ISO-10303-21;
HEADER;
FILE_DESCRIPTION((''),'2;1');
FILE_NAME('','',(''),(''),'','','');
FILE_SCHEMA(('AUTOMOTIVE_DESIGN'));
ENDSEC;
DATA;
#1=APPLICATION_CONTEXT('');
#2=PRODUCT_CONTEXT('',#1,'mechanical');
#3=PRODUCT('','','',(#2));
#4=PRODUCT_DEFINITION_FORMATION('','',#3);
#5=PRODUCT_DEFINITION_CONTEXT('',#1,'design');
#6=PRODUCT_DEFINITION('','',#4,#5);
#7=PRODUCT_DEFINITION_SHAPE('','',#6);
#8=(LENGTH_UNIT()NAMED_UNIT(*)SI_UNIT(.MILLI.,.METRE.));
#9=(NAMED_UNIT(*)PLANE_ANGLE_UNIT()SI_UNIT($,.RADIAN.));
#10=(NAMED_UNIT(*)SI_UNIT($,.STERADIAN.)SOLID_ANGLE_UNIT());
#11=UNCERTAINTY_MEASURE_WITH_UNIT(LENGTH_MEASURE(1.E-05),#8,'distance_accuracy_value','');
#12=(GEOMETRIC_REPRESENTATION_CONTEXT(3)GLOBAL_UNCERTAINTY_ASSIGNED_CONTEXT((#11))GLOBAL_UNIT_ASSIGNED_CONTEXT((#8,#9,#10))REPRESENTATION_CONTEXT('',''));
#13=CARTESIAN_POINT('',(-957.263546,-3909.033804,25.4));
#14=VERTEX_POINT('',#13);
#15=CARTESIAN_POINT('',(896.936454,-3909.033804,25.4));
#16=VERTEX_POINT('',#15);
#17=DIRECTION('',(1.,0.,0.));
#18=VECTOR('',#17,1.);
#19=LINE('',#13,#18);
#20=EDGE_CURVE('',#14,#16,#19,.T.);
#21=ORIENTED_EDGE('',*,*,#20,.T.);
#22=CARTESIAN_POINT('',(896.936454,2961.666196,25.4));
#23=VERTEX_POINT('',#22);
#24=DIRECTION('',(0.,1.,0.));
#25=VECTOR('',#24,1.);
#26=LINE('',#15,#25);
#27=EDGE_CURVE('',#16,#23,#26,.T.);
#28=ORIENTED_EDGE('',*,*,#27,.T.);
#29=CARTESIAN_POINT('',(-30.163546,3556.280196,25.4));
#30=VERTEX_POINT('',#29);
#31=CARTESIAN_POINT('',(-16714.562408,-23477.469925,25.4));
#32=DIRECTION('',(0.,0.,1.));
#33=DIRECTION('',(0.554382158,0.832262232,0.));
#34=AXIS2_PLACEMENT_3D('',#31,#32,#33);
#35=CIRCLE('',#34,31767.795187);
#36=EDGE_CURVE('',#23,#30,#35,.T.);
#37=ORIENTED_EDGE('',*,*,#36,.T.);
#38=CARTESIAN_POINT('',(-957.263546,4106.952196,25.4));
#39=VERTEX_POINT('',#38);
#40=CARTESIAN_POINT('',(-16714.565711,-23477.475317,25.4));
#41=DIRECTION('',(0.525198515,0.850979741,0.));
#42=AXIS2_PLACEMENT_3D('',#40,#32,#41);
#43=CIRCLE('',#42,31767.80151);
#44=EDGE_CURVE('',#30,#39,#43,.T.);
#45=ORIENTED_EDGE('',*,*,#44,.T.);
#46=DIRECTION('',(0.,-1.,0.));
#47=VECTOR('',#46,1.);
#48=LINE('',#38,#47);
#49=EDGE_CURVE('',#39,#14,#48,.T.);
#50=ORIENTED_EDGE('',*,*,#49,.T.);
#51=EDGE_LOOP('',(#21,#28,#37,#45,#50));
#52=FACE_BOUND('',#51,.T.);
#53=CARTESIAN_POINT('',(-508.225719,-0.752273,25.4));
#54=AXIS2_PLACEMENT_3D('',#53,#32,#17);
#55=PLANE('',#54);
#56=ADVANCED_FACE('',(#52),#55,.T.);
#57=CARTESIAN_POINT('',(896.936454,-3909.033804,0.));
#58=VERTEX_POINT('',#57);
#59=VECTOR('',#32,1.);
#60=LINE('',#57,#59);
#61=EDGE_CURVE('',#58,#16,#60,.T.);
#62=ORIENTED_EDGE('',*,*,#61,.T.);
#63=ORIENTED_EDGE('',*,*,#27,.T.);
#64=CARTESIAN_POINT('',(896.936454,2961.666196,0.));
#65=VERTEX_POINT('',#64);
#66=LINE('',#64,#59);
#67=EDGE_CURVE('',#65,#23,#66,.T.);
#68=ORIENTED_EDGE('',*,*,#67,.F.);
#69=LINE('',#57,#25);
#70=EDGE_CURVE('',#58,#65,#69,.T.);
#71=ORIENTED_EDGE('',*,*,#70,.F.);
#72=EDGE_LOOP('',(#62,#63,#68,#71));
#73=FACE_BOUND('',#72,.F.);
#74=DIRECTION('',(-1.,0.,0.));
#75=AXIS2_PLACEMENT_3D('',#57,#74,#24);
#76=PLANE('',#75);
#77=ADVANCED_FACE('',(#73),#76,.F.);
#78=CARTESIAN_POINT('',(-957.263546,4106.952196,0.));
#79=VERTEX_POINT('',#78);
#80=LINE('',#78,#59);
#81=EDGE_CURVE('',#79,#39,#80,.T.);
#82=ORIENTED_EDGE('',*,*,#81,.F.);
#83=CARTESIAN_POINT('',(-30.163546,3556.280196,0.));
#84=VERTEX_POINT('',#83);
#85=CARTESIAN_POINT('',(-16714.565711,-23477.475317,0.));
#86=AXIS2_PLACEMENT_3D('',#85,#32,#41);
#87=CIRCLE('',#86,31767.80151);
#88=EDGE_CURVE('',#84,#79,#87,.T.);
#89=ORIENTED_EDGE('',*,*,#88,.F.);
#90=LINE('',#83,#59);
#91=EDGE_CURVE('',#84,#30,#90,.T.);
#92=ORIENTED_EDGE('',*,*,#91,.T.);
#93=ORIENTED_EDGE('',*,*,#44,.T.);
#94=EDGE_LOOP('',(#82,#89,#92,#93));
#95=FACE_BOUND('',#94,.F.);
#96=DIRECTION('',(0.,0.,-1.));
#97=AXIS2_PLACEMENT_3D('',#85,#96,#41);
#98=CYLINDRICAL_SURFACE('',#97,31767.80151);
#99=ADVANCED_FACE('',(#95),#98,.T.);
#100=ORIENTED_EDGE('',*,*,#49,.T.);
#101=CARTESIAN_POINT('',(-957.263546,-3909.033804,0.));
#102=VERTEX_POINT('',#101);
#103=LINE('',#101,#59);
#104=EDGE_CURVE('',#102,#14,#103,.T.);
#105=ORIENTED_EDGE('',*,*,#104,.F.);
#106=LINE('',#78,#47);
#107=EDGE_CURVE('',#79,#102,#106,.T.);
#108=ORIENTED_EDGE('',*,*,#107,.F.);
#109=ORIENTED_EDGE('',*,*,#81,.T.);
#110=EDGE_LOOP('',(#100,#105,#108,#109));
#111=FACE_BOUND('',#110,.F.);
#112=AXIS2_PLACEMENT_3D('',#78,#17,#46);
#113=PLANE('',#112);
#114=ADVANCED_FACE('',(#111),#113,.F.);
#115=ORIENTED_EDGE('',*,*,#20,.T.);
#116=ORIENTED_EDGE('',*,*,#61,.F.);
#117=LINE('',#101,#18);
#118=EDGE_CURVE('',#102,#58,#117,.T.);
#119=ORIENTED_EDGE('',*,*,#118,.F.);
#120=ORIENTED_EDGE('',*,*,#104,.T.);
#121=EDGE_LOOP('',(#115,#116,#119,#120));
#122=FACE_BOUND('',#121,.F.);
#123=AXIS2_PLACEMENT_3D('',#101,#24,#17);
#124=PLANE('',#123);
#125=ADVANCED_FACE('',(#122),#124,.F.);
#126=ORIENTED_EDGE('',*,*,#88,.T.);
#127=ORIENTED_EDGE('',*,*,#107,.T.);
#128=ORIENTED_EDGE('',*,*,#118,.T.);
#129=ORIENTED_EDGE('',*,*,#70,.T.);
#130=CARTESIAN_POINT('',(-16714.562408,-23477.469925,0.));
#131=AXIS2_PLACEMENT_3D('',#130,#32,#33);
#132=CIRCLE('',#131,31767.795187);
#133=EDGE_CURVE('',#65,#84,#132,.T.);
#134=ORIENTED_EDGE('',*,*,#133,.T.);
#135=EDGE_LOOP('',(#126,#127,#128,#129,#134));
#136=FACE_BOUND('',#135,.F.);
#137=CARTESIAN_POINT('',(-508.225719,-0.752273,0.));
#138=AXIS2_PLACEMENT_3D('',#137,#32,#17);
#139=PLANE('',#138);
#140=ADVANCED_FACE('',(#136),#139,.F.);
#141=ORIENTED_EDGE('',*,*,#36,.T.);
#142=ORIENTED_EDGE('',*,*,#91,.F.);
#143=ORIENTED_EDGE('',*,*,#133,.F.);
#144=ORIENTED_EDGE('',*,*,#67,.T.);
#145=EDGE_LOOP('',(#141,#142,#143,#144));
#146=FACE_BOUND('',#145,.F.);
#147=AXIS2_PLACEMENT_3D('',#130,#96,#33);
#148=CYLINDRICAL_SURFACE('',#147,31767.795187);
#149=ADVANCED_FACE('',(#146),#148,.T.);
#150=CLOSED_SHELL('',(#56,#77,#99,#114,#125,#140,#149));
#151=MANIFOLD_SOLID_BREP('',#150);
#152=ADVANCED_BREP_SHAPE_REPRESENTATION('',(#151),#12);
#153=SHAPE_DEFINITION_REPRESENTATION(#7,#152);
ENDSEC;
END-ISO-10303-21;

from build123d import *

# Parameters (mm, degrees)
F1_DEPTH = 25.4


with BuildPart() as f1:
    # F0 (on Top) → F1 (new body)
    with BuildSketch(Plane.XY):
        with BuildLine():
            Line((-957.263546, 4106.952196), (-957.263546, -3909.033804))
            Line((-957.263546, -3909.033804), (-30.163546, -3909.033804))
            Line((-30.163546, -3909.033804), (-30.163546, 3556.280196))
            ThreePointArc((-30.163546, 3556.280196), (-491.37691, 3835.550108), (-957.263546, 4106.952196))
        make_face()
        with BuildLine():
            Line((-30.163546, 3556.280196), (-30.163546, -3909.033804))
            Line((-30.163546, -3909.033804), (896.936454, -3909.033804))
            Line((896.936454, -3909.033804), (896.936454, 2961.666196))
            ThreePointArc((896.936454, 2961.666196), (435.963579, 3262.991353), (-30.163546, 3556.280196))
        make_face()
    extrude(amount=F1_DEPTH)


solid = f1.part
